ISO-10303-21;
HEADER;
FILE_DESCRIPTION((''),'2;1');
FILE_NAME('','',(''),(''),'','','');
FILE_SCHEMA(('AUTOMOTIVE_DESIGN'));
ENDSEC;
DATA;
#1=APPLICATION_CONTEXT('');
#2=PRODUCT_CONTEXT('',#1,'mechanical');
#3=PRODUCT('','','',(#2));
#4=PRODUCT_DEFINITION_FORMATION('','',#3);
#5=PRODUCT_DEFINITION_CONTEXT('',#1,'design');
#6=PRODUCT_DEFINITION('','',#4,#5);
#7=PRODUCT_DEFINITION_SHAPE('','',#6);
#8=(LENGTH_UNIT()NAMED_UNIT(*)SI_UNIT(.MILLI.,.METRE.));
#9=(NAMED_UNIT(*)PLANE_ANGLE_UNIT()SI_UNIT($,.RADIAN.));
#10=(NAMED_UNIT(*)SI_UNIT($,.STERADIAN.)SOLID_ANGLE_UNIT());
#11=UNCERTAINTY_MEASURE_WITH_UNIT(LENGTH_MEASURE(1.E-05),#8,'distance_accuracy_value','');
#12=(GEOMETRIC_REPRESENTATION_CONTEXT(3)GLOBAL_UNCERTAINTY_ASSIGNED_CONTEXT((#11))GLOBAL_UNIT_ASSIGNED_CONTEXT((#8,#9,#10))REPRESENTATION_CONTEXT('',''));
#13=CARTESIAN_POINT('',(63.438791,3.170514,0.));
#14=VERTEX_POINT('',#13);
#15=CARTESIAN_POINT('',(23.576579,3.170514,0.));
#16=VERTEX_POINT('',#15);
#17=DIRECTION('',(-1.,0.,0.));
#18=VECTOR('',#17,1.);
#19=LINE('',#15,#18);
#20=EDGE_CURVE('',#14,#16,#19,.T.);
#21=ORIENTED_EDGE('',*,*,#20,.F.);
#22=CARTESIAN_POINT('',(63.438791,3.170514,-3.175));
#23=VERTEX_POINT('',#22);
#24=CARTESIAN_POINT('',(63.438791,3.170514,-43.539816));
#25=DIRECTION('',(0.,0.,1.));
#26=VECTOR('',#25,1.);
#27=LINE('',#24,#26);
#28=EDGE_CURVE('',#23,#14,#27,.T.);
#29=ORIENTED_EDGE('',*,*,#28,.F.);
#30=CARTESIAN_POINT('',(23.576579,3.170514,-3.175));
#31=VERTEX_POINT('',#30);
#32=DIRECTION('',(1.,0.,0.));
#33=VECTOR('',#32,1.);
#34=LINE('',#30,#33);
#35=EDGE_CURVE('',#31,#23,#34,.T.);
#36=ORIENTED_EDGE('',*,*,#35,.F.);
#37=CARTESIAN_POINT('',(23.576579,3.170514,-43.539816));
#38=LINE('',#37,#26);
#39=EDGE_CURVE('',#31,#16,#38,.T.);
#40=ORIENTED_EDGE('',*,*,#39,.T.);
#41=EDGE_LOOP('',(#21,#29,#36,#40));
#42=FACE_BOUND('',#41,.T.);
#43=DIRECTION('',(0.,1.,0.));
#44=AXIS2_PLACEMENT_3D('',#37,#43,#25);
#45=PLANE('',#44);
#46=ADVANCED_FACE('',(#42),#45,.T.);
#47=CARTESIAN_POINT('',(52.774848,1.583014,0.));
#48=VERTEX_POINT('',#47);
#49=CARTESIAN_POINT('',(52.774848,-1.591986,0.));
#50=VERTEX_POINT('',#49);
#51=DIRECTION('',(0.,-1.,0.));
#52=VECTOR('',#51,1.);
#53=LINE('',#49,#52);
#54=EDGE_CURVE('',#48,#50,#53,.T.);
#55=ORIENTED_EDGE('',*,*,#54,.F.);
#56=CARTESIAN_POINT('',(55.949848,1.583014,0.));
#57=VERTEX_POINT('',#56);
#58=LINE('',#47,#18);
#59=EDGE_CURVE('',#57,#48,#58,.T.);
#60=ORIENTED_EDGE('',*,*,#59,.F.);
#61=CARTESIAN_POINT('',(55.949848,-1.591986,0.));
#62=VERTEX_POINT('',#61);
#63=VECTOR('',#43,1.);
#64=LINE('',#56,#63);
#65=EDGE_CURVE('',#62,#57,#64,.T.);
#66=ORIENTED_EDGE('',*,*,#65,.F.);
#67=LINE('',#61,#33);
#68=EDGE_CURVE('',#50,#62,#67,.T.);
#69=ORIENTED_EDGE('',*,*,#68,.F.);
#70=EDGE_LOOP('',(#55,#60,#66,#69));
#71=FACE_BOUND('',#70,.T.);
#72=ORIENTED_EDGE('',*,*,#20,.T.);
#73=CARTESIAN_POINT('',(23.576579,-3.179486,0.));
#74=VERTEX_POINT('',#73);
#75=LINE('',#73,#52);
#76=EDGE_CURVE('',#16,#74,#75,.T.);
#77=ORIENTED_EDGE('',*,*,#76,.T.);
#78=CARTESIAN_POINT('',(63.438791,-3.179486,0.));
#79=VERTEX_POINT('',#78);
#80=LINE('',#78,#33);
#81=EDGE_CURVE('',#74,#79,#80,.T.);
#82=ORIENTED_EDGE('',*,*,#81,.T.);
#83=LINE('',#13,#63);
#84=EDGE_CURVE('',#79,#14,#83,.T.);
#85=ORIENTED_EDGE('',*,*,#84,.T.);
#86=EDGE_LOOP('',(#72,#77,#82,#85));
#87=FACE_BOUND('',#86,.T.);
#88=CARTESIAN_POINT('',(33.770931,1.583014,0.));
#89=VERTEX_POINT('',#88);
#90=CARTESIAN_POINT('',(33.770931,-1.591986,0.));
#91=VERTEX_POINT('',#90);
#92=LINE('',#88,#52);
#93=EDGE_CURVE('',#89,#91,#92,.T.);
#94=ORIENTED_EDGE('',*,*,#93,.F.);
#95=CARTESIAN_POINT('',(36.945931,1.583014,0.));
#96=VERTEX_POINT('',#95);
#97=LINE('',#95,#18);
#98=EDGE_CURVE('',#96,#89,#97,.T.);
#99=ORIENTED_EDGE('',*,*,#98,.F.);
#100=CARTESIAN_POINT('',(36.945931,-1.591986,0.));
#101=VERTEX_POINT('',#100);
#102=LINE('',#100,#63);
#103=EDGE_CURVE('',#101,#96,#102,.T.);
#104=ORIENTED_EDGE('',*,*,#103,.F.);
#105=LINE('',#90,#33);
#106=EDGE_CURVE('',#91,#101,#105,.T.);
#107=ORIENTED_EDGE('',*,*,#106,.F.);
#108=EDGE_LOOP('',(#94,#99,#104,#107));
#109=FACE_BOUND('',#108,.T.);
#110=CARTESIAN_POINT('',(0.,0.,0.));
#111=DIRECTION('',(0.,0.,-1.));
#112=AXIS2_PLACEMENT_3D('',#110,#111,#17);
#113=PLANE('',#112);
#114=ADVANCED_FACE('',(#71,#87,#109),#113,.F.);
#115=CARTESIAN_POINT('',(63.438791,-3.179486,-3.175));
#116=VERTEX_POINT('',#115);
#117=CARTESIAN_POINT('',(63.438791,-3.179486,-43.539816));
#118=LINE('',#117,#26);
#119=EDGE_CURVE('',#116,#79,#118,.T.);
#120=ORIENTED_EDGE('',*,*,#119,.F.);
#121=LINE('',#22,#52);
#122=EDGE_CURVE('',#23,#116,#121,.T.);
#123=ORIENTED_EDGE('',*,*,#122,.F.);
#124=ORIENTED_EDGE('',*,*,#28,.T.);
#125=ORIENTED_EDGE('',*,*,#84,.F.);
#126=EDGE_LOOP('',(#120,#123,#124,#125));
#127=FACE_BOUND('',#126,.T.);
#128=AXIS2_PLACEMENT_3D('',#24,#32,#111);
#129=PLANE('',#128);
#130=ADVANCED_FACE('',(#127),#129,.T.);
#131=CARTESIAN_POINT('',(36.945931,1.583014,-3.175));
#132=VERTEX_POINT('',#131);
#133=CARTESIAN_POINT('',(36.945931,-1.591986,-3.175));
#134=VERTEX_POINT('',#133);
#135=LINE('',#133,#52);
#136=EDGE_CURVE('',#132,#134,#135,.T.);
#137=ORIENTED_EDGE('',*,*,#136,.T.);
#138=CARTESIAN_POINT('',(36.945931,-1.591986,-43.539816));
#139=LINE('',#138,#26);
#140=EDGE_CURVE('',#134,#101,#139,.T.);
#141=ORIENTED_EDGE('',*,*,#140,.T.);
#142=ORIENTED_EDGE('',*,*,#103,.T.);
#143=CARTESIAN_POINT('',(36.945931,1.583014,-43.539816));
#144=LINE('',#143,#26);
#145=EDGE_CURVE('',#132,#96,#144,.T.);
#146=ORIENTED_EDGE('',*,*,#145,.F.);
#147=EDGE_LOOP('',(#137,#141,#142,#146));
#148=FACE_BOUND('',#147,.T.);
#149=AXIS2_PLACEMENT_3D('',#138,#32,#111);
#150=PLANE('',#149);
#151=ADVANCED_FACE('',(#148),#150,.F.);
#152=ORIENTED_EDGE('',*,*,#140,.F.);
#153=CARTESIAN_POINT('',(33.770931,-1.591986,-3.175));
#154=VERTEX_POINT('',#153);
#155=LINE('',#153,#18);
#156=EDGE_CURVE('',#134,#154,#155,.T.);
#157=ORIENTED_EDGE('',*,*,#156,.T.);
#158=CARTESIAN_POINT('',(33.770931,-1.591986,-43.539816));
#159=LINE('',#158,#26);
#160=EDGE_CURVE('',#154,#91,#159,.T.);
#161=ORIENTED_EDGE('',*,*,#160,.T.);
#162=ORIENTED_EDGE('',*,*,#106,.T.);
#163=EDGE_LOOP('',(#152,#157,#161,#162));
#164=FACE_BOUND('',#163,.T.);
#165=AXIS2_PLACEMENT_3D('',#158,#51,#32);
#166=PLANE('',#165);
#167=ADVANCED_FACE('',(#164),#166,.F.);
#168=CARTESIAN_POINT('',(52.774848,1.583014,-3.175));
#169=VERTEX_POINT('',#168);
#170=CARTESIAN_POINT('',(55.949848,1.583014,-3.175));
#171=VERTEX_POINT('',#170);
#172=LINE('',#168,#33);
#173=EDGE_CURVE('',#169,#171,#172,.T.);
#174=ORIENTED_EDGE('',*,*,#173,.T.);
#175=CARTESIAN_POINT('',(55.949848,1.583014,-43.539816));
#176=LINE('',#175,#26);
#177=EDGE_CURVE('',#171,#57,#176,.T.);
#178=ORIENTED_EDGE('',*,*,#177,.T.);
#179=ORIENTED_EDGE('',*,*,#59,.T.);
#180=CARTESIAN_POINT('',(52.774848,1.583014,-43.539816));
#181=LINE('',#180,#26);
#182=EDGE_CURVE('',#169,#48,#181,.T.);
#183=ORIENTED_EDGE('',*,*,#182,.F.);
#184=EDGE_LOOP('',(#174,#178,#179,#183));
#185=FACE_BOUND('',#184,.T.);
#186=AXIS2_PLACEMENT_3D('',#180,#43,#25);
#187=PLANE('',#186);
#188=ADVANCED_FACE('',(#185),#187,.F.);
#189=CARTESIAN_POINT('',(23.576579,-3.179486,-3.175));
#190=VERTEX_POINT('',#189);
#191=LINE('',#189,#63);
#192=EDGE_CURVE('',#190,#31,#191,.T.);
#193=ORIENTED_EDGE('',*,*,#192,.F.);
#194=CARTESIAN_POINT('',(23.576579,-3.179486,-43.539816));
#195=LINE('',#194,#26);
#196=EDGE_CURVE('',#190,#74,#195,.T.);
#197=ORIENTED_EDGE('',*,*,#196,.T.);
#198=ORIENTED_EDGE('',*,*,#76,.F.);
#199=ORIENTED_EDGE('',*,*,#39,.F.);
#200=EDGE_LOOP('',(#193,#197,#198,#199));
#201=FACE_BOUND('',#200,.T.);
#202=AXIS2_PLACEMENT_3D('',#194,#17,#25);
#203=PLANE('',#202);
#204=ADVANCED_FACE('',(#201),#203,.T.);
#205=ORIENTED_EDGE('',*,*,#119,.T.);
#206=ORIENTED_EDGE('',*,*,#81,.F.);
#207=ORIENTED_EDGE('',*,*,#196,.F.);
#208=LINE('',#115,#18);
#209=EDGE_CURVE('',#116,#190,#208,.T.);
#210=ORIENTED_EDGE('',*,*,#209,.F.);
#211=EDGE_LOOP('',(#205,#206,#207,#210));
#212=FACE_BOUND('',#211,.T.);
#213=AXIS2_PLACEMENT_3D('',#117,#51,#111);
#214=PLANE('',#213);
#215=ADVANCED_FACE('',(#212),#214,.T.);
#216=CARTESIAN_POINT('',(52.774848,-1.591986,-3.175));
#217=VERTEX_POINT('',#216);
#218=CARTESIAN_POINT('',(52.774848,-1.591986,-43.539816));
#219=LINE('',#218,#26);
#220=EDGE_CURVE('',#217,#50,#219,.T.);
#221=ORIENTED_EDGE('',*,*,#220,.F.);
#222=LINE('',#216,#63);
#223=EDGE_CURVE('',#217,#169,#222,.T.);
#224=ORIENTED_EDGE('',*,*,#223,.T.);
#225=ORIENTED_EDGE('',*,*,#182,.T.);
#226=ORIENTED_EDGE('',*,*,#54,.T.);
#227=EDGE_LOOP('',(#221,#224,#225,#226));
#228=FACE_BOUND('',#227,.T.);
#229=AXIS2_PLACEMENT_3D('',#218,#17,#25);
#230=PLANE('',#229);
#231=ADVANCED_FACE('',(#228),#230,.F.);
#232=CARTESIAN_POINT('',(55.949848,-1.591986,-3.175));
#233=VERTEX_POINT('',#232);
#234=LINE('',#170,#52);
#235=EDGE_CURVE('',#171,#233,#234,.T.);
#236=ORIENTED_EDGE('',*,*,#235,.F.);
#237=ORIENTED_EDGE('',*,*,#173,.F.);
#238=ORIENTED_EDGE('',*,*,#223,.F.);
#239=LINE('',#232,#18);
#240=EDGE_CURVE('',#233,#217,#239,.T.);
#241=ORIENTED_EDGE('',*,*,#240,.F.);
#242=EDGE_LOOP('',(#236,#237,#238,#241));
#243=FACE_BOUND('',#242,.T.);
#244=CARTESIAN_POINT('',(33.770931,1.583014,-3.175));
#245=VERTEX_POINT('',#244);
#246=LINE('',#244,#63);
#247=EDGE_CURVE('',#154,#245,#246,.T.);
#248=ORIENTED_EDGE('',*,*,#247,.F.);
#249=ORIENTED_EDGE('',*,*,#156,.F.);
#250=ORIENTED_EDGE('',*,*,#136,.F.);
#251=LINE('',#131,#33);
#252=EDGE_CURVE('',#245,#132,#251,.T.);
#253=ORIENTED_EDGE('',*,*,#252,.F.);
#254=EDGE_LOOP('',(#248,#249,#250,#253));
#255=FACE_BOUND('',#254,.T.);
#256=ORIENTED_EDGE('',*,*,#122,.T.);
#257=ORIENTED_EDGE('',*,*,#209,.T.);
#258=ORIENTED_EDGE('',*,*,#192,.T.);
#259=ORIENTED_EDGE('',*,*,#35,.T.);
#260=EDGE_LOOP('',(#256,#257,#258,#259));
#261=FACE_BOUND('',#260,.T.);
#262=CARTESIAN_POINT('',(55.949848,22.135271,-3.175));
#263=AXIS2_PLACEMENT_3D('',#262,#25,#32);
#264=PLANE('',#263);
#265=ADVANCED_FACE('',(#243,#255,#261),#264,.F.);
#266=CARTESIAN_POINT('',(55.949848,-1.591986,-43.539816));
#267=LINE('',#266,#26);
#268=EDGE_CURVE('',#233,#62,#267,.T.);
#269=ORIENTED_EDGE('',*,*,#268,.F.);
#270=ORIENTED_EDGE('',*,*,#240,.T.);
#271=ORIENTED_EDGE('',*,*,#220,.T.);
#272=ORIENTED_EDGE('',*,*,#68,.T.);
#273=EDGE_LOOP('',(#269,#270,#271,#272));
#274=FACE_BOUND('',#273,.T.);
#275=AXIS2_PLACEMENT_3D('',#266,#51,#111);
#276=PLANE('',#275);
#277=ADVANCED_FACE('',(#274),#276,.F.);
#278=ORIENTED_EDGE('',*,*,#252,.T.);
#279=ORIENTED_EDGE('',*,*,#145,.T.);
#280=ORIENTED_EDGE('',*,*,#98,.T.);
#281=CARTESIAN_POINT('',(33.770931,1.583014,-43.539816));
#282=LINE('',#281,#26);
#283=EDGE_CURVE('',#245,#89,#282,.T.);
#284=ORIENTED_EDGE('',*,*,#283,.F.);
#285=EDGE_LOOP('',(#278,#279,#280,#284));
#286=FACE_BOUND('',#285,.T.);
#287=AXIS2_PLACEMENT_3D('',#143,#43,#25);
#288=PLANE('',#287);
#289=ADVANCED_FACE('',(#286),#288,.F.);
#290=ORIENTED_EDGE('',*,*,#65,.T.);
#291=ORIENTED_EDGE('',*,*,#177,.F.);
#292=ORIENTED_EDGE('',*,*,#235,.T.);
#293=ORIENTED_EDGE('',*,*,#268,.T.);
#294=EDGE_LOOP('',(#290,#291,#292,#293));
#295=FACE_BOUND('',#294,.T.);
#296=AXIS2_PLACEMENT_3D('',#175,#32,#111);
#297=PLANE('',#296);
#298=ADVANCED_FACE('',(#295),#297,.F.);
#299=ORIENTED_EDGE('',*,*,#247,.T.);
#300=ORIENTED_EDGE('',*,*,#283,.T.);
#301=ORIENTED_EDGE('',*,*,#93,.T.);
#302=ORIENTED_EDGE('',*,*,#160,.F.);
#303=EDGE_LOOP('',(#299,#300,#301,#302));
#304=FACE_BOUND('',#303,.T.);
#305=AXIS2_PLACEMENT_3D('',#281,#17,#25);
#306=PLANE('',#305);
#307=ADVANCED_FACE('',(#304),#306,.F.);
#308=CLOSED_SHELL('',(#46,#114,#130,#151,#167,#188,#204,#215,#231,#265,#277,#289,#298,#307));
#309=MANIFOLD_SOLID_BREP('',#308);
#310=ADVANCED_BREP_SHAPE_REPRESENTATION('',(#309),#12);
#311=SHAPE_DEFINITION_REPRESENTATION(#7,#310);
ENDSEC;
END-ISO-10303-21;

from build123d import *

# Parameters (mm, degrees)
SKETCH1_W           = 39.86221147
SKETCH1_H           = 6.35
SKETCH1_W_2         = 3.175
SKETCH1_H_2         = 3.175
BOSS_EXTRUDE1_DEPTH = 3.175


with BuildPart() as part:
    # Sketch1 → Boss-Extrude1 (new body)
    with BuildSketch(Plane.XY):
        with Locations((43.507685092, -0.004486266)):
            Rectangle(SKETCH1_W, SKETCH1_H)
        with Locations((54.362348302, -0.004486266)):
            Rectangle(SKETCH1_W_2, SKETCH1_H_2, mode=Mode.SUBTRACT)
        with Locations((35.358431187, -0.004486266)):
            Rectangle(SKETCH1_W_2, SKETCH1_H_2, mode=Mode.SUBTRACT)
    extrude(amount=-BOSS_EXTRUDE1_DEPTH)


solid = part.part
